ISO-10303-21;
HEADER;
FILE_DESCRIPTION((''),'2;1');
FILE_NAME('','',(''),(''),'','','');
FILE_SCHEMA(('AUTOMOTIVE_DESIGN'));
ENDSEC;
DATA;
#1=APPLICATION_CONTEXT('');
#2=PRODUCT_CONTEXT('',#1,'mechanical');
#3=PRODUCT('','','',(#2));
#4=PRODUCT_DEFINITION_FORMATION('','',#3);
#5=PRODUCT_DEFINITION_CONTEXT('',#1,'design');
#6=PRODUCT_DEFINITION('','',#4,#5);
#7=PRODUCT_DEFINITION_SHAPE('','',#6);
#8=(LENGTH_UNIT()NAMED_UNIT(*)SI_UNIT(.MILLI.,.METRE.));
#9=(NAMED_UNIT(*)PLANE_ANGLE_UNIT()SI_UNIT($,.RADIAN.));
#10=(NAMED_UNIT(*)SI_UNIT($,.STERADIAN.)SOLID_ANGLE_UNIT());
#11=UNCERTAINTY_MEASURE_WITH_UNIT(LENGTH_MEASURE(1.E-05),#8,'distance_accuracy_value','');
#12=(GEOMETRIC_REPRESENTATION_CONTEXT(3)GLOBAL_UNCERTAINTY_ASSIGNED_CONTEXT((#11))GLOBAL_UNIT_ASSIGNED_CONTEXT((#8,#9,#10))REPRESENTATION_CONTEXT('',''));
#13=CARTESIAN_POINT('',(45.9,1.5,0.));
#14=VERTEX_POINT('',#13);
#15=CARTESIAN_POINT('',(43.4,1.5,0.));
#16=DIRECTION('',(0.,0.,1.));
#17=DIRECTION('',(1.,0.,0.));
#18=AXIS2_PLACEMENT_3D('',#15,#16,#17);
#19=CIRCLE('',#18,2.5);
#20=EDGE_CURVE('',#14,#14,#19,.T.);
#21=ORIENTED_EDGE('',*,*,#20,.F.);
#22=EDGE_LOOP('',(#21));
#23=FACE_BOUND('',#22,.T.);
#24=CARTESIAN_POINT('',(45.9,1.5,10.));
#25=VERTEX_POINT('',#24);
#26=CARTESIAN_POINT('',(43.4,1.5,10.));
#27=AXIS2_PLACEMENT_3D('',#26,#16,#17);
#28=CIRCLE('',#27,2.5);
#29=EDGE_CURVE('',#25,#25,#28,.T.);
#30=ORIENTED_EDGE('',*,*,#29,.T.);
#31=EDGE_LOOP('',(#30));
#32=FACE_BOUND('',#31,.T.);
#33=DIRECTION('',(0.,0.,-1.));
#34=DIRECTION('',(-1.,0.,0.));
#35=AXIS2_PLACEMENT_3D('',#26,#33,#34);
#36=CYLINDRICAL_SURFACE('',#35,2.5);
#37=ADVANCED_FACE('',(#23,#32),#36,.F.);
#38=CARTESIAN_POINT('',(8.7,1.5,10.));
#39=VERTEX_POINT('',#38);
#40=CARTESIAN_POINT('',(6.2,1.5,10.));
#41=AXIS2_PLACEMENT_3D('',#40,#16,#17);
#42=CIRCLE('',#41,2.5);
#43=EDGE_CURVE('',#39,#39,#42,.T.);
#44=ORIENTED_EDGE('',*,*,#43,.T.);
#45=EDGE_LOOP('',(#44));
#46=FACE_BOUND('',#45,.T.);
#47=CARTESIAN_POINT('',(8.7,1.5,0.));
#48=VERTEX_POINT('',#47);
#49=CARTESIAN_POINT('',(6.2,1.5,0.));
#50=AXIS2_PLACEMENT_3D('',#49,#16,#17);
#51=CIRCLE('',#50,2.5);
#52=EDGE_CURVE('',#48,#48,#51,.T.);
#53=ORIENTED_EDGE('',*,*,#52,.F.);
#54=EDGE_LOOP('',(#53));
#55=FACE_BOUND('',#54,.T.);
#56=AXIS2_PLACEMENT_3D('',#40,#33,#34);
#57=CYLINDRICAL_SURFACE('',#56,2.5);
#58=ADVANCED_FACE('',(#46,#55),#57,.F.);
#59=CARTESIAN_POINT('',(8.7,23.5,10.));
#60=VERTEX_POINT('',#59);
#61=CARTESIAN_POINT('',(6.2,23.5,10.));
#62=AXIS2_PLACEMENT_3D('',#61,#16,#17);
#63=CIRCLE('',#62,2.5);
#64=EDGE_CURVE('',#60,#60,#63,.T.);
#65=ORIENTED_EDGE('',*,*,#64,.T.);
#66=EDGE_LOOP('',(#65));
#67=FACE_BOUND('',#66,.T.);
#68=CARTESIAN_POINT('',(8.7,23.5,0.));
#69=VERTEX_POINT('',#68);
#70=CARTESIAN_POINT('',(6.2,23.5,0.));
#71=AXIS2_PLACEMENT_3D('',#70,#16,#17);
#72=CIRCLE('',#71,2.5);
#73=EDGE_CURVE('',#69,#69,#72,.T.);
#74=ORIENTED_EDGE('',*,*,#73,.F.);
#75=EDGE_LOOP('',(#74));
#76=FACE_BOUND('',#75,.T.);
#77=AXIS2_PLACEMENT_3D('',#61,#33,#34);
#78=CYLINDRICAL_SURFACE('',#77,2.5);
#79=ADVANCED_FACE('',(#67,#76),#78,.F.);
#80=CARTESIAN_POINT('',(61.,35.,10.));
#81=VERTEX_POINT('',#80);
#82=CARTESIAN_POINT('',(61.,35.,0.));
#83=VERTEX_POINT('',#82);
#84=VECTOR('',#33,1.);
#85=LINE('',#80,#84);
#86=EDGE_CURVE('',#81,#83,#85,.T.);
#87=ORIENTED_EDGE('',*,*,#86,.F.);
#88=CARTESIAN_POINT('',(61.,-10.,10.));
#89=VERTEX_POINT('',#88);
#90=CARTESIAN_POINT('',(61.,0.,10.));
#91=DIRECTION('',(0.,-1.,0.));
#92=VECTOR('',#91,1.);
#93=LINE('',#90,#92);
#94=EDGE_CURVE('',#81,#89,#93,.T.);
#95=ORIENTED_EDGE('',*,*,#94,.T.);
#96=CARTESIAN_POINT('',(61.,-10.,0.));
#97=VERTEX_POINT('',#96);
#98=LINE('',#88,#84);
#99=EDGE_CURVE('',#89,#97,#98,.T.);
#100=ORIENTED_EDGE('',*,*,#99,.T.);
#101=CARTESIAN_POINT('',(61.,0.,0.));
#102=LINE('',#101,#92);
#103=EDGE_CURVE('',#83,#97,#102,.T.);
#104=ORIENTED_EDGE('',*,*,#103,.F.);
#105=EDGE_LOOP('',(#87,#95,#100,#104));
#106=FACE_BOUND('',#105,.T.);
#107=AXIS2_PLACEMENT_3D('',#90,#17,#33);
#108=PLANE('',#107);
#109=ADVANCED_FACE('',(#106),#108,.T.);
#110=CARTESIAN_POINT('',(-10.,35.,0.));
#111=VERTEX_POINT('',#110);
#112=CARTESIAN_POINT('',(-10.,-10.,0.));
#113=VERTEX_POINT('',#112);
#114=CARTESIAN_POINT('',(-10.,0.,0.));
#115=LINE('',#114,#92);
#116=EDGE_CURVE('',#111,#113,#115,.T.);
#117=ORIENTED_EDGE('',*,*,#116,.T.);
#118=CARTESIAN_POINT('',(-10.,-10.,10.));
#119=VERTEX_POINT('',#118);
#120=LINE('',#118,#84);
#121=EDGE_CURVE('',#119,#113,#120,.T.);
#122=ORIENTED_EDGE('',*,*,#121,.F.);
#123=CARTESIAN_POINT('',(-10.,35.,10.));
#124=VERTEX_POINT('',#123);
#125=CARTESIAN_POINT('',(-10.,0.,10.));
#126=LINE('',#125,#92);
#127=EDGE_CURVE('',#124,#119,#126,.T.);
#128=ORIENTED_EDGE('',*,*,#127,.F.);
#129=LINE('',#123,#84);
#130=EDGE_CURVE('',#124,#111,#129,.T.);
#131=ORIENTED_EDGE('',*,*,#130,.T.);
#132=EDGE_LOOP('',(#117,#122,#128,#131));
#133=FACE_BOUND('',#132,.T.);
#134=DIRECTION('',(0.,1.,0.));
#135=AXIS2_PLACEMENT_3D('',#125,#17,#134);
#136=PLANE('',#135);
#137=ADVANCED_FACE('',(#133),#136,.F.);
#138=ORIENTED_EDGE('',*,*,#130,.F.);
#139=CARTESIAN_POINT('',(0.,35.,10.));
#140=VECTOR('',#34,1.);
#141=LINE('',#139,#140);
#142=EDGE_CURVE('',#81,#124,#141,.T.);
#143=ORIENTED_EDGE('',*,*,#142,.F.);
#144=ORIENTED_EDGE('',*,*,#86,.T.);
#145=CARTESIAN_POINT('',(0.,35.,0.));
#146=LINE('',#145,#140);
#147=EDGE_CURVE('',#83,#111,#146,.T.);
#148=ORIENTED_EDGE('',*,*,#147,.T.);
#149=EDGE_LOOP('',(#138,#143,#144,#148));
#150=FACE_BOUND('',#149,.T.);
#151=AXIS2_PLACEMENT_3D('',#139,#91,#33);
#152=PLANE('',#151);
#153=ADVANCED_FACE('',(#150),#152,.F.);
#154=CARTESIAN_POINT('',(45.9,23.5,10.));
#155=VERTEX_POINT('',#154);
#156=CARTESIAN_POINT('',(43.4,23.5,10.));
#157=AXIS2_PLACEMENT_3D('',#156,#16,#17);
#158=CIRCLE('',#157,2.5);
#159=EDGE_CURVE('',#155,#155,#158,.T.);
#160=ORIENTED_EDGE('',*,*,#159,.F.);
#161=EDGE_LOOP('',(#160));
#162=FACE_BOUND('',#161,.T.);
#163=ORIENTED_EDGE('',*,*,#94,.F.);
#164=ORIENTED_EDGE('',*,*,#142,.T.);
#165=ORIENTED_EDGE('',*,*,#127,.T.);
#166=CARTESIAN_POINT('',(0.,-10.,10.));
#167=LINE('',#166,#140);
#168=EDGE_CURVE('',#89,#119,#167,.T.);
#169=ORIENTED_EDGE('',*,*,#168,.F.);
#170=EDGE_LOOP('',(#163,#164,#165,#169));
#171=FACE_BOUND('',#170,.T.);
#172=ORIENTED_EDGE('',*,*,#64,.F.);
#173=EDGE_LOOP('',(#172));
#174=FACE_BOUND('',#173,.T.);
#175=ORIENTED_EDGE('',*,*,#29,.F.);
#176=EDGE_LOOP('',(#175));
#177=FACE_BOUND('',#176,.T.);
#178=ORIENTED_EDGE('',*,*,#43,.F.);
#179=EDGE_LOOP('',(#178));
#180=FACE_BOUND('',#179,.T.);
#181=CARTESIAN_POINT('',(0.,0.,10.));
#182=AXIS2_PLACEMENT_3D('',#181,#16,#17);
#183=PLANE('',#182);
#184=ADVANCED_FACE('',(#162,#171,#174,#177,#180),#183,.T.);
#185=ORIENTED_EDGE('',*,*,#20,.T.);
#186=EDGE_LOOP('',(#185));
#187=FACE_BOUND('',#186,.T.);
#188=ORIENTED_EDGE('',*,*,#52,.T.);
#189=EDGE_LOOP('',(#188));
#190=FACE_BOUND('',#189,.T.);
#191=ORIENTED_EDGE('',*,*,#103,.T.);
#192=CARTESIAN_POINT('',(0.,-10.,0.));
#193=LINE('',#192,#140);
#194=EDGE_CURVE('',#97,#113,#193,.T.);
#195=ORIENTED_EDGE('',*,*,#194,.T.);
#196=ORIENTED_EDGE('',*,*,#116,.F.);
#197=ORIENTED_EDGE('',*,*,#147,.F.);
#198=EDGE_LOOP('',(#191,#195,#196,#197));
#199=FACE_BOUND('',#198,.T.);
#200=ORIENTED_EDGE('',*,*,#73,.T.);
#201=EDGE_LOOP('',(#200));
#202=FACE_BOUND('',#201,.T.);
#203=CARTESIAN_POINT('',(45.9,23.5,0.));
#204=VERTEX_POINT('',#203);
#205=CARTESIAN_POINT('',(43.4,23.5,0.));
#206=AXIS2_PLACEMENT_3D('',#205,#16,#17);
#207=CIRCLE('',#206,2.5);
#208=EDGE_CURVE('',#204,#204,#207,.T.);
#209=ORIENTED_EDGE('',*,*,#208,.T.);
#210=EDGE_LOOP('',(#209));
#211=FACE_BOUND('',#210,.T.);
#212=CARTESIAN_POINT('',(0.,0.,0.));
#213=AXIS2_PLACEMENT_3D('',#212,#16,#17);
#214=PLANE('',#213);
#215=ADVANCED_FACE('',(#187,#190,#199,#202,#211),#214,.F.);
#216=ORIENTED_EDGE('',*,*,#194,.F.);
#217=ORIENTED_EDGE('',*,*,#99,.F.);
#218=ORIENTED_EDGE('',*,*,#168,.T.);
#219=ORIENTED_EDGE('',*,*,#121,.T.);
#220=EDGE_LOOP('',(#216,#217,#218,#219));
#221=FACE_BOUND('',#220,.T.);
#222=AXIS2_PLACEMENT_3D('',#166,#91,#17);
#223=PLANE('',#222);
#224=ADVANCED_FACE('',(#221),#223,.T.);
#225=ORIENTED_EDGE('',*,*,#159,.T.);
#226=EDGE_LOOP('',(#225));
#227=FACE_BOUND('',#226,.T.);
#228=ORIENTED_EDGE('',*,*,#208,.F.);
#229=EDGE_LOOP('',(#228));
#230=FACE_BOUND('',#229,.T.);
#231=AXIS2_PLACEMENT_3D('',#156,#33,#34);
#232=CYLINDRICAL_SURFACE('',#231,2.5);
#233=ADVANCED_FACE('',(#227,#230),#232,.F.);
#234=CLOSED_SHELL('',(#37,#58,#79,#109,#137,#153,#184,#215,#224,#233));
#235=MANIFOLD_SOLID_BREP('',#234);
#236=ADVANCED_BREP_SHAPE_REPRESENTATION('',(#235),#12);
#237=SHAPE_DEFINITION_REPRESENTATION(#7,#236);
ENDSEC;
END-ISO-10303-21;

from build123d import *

# Parameters (mm, degrees)
SKETCH1_W           = 71
SKETCH1_H           = 45
SKETCH1_R           = 2.5
BOSS_EXTRUDE1_DEPTH = 10


with BuildPart() as part:
    # Sketch1 → Boss-Extrude1 (new body)
    with BuildSketch(Plane.XY):
        with Locations((25.5, 12.5)):
            Rectangle(SKETCH1_W, SKETCH1_H)
        with Locations((43.4, 1.5)):
            Circle(SKETCH1_R, mode=Mode.SUBTRACT)
        with Locations((6.2, 1.5)):
            Circle(SKETCH1_R, mode=Mode.SUBTRACT)
        with Locations((43.4, 23.5)):
            Circle(SKETCH1_R, mode=Mode.SUBTRACT)
        with Locations((6.2, 23.5)):
            Circle(SKETCH1_R, mode=Mode.SUBTRACT)
    extrude(amount=BOSS_EXTRUDE1_DEPTH)


solid = part.part
